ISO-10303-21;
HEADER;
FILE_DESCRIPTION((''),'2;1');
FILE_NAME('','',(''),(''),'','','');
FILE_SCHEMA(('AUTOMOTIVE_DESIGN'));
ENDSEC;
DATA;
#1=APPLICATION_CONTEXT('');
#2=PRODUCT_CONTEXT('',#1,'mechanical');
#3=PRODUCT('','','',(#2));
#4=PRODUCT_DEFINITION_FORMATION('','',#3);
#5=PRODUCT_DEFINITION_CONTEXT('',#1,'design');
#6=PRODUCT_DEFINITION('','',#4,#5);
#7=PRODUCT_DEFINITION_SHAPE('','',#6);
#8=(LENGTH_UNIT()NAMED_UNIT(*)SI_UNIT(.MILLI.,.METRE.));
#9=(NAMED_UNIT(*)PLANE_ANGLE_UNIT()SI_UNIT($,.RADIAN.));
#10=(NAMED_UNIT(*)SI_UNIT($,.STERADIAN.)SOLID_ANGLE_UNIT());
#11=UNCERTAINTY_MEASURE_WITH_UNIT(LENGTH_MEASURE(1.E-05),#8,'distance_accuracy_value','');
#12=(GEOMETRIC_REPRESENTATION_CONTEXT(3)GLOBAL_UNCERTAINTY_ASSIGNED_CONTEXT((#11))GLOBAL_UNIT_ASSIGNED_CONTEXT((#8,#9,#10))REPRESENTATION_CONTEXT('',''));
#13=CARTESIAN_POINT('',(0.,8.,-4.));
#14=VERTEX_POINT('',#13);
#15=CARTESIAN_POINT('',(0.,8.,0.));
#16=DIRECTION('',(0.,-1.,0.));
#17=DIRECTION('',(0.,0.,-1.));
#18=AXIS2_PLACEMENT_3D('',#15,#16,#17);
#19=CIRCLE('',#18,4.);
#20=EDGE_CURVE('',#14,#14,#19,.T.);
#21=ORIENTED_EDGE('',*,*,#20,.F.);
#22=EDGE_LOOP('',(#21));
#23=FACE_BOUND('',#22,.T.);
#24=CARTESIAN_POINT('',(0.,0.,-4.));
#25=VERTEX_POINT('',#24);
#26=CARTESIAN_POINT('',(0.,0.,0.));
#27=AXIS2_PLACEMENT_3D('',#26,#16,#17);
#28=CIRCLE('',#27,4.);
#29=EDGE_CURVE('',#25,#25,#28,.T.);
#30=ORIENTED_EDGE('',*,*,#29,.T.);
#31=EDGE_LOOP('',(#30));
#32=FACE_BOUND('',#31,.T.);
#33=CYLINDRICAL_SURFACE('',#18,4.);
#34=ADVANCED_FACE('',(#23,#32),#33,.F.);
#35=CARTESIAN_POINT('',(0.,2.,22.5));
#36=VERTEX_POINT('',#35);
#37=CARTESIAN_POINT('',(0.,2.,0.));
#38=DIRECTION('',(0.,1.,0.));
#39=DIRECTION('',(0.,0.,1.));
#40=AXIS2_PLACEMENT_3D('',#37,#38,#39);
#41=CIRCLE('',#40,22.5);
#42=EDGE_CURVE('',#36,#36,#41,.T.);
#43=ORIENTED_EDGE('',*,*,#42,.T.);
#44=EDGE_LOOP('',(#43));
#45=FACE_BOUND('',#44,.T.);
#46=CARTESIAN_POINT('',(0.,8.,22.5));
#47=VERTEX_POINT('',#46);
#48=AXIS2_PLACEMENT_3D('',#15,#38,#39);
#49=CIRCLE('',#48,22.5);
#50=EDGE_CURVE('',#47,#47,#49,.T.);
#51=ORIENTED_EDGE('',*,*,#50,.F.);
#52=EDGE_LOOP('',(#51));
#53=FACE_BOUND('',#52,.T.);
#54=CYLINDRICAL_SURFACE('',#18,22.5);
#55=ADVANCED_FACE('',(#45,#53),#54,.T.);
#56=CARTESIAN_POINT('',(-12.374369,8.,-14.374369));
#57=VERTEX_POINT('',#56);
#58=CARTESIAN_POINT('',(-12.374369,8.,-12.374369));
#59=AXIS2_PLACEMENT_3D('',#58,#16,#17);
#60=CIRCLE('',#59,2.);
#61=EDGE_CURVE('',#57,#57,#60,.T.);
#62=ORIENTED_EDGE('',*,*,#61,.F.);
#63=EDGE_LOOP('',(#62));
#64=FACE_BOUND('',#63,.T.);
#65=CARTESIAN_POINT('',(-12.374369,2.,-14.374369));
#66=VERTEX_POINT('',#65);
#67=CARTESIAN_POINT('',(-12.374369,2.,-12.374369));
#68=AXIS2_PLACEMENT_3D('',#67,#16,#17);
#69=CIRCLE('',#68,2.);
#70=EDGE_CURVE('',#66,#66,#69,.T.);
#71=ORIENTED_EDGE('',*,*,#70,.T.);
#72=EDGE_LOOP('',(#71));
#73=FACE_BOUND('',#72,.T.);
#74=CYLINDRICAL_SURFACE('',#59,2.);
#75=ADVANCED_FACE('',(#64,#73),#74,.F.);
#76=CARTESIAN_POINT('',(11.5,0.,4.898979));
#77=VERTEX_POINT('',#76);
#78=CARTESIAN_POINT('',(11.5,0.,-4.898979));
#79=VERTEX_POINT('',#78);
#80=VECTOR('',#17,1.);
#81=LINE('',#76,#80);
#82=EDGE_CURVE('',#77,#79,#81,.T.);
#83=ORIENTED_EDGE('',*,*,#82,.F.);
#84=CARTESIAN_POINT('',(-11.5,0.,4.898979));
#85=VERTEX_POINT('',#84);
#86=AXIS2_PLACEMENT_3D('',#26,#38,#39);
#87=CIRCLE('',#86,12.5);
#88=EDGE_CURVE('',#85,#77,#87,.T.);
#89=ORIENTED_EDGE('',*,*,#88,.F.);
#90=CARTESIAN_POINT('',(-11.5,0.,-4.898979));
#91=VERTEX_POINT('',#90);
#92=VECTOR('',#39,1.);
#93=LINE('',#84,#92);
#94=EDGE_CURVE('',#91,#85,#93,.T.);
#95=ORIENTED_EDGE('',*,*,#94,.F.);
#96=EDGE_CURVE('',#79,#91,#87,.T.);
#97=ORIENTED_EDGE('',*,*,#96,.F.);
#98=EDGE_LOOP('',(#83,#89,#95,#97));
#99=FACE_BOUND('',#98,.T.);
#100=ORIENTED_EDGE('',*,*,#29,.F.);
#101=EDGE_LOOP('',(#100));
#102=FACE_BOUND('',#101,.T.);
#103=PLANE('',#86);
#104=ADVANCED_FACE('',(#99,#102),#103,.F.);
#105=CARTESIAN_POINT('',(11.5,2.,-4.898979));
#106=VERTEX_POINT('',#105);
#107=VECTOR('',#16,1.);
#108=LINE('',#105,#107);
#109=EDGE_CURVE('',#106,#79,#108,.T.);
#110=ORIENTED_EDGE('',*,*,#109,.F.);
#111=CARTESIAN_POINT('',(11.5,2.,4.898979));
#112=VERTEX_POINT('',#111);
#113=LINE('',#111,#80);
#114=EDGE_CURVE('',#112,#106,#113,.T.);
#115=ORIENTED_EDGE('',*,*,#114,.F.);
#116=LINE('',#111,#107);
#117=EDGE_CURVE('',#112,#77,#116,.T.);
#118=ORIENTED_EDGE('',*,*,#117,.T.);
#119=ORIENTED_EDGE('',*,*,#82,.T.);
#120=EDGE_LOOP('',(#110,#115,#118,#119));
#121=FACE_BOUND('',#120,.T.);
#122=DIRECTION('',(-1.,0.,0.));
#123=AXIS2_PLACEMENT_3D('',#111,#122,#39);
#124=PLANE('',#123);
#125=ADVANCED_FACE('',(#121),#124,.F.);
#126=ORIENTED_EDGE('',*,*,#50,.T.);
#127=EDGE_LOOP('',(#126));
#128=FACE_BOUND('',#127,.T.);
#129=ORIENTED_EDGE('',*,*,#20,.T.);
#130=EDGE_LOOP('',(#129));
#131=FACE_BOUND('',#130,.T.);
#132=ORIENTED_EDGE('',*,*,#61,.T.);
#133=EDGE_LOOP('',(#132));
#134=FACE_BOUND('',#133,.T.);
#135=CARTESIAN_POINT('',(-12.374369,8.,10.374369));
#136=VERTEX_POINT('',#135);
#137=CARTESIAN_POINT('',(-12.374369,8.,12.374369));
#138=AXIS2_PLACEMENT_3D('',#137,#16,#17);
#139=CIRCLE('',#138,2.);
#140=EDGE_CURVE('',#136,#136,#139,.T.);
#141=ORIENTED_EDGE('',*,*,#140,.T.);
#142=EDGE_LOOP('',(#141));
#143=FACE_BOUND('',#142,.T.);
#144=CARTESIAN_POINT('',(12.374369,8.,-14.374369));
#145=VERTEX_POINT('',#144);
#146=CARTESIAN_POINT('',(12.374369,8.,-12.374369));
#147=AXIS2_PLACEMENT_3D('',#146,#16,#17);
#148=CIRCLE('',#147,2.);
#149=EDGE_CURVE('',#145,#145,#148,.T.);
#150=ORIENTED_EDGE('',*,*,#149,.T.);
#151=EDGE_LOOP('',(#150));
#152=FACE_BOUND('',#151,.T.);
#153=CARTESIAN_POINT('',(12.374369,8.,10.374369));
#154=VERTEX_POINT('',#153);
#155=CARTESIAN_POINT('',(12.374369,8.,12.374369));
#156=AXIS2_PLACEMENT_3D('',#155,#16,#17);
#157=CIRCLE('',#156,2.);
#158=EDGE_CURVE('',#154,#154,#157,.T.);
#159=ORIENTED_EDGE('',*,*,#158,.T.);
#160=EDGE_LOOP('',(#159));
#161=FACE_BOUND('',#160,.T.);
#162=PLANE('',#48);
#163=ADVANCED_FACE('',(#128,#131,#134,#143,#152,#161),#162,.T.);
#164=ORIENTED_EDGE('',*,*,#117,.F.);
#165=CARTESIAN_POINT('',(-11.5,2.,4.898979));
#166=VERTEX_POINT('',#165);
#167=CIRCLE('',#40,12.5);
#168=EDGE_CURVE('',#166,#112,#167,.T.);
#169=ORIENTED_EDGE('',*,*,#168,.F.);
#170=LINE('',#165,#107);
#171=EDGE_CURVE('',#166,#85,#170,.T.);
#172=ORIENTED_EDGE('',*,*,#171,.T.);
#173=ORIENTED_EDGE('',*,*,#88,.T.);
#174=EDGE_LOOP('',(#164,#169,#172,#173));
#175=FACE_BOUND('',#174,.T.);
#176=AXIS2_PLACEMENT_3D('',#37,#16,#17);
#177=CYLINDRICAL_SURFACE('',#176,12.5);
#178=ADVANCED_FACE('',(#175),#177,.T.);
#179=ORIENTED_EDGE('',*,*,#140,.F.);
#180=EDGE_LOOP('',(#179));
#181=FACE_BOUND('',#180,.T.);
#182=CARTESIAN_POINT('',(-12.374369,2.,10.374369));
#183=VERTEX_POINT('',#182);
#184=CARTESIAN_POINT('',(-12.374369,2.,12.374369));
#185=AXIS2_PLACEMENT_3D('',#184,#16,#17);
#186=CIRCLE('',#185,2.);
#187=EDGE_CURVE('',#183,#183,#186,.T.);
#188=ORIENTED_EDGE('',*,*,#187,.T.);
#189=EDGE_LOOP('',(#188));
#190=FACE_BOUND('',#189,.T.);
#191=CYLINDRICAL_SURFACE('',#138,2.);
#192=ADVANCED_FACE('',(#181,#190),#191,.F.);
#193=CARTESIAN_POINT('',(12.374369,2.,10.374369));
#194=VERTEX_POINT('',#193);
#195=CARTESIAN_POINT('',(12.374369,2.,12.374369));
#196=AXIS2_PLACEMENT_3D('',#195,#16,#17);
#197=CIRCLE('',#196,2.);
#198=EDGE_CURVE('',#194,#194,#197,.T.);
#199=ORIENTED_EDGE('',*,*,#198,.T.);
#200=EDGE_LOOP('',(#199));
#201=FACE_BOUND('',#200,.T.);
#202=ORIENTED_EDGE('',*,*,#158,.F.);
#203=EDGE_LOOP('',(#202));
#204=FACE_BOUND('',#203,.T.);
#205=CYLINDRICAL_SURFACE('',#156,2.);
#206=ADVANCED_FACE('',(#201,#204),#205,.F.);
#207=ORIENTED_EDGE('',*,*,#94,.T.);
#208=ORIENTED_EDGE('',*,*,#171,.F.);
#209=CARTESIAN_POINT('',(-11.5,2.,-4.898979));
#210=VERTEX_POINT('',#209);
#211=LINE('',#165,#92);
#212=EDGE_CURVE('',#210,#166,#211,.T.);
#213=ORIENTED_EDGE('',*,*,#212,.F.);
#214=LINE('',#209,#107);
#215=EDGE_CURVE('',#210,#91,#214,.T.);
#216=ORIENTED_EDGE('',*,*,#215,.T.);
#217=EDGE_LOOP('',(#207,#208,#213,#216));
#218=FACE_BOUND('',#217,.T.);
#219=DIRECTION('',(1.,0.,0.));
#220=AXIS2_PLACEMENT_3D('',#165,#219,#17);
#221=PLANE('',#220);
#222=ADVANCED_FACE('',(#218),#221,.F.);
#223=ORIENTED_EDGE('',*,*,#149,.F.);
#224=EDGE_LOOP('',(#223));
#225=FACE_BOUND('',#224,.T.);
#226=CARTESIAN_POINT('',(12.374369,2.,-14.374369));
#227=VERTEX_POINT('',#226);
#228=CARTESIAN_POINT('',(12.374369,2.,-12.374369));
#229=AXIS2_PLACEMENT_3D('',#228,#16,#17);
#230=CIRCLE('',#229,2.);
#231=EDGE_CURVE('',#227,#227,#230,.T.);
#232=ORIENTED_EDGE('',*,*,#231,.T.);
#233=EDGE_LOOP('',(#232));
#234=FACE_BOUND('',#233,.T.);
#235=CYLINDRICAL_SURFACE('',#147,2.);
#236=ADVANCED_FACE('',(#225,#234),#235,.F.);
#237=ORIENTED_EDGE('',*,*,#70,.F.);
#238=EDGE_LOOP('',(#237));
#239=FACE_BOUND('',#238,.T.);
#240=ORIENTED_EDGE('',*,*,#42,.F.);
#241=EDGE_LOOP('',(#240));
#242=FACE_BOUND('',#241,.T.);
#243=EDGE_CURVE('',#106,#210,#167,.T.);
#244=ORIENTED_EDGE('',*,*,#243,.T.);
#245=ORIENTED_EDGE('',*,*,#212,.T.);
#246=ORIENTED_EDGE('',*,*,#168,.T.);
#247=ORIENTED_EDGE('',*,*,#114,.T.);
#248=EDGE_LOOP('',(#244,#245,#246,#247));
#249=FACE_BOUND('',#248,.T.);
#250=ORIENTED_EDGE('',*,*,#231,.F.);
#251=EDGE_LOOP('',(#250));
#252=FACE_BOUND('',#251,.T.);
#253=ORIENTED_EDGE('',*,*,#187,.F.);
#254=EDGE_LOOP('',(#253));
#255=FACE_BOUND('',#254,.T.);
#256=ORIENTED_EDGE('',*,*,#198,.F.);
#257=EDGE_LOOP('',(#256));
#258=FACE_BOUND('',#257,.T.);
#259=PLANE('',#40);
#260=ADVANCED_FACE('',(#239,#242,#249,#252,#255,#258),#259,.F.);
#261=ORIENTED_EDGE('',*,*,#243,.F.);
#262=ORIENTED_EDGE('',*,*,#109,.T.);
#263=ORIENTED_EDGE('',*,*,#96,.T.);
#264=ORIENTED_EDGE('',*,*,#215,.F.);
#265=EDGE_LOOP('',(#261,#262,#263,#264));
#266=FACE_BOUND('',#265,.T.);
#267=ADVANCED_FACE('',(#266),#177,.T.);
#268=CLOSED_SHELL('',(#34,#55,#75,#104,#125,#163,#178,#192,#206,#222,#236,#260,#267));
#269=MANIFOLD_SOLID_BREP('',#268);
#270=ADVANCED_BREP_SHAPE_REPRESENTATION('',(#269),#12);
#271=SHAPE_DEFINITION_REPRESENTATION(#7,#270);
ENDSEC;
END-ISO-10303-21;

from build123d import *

# Parameters (mm, degrees)
BIT_ATTACHED_TO_SHAFT_DEPTH = 2
SKETCH2_R                   = 22.5
BOSS_EXTRUDE2_DEPTH         = 6
SKETCH3_R                   = 2
CUT_EXTRUDE1_DEPTH          = 6
SKETCH4_R                   = 4
CUT_EXTRUDE2_DEPTH          = 33.810059433


with BuildPart() as part:
    # Sketch1 → bit attached to shaft (new body)
    with BuildSketch(Plane(origin=(0, 0, 0), x_dir=(1, 0, 0), z_dir=(0, 1, 0))):
        with BuildLine():
            Line((11.5, -4.898979486), (11.5, 4.898979486))
            ThreePointArc((11.5, 4.898979486), (0, 12.5), (-11.5, 4.898979486))
            Line((-11.5, 4.898979486), (-11.5, -4.898979486))
            ThreePointArc((-11.5, -4.898979486), (0, -12.5), (11.5, -4.898979486))
        make_face()
    extrude(amount=BIT_ATTACHED_TO_SHAFT_DEPTH)

    # Sketch2 → Boss-Extrude2 (add)
    with BuildSketch(Plane(origin=(0, 2, 0), x_dir=(1, 0, 0), z_dir=(0, 1, 0))):
        with Locations(Location((0, 0, 0), (0, 0, 270))):
            Circle(SKETCH2_R)
    extrude(amount=BOSS_EXTRUDE2_DEPTH)

    # Sketch3 → Cut-Extrude1 (cut)
    with BuildSketch(Plane.XZ.offset(-2)):
        with Locations(Location((-12.374368671, -12.374368671, 0), (0, 0, 270))):
            Circle(SKETCH3_R)
        with Locations(Location((12.374368671, -12.374368671, 0), (0, 0, 270))):
            Circle(SKETCH3_R)
        with Locations(Location((12.374368671, 12.374368671, 0), (0, 0, 270))):
            Circle(SKETCH3_R)
        with Locations(Location((-12.374368671, 12.374368671, 0), (0, 0, 270))):
            Circle(SKETCH3_R)
    extrude(amount=-CUT_EXTRUDE1_DEPTH, mode=Mode.SUBTRACT)

    # Sketch4 → Cut-Extrude2 (cut, through all)
    with BuildSketch(Plane.XZ):
        with Locations(Location((0, 0, 0), (0, 0, 270))):
            Circle(SKETCH4_R)
    extrude(amount=-CUT_EXTRUDE2_DEPTH, mode=Mode.SUBTRACT)


solid = part.part
